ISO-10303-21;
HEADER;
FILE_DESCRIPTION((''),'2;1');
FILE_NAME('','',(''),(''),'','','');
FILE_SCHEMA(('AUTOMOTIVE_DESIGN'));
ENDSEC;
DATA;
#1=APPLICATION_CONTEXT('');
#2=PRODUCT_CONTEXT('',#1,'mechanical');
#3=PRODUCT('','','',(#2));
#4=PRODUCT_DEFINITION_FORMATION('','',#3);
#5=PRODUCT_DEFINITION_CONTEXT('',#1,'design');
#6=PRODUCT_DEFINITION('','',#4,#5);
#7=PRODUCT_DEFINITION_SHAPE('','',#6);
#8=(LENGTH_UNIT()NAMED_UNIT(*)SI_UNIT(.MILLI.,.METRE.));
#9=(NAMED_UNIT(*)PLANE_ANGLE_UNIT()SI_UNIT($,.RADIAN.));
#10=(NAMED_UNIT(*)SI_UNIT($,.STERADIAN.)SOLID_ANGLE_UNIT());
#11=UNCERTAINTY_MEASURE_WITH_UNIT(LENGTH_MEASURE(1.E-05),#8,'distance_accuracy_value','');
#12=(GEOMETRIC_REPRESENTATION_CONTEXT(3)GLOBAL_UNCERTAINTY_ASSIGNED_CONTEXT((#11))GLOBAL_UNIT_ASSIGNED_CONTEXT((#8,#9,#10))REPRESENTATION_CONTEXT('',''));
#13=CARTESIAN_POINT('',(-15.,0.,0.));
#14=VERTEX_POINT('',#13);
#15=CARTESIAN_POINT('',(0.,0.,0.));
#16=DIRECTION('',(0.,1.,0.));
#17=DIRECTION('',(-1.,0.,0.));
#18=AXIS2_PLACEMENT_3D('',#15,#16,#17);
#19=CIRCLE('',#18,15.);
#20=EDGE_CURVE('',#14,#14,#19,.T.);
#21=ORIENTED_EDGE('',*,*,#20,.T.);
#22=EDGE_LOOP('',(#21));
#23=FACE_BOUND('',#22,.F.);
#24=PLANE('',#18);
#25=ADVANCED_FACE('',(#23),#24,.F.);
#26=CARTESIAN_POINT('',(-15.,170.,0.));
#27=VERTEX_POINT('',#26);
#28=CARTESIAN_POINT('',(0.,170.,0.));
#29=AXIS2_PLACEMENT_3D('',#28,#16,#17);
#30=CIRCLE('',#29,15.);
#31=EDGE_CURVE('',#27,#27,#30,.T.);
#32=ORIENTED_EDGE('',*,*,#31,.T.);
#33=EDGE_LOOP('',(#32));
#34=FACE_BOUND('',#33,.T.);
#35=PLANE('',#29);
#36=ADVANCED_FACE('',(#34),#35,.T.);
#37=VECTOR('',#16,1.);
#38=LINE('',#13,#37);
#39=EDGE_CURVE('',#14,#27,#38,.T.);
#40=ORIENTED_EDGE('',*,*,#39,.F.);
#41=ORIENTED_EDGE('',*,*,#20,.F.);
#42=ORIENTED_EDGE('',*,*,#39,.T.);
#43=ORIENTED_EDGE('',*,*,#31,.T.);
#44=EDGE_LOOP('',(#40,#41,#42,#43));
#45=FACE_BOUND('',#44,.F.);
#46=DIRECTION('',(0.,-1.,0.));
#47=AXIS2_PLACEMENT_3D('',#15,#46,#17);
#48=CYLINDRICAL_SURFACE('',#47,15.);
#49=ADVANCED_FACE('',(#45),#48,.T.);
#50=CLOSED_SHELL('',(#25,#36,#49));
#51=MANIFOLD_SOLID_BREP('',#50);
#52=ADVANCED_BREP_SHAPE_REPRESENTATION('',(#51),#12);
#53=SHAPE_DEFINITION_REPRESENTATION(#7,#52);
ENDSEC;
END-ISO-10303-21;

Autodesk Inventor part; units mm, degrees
ref_plane "YZ Plane" through (0, 0, 0) normal (1, 0, 0) x (0, 1, 0)
ref_plane "XZ Plane" through (0, 0, 0) normal (0, 1, 0) x (-1, 0, 0)
ref_plane "XY Plane" through (0, 0, 0) normal (0, 0, 1) x (1, 0, 0)
sketch "スケッチ1" plane through (0, 0, 0) normal (0, 1, 0) x (-1, 0, 0)
  circle A0 centre (0, 0) radius 15
  dimension "d0" = 30
extrude "押し出し1" add sketch "スケッチ1" along normal blind 170
